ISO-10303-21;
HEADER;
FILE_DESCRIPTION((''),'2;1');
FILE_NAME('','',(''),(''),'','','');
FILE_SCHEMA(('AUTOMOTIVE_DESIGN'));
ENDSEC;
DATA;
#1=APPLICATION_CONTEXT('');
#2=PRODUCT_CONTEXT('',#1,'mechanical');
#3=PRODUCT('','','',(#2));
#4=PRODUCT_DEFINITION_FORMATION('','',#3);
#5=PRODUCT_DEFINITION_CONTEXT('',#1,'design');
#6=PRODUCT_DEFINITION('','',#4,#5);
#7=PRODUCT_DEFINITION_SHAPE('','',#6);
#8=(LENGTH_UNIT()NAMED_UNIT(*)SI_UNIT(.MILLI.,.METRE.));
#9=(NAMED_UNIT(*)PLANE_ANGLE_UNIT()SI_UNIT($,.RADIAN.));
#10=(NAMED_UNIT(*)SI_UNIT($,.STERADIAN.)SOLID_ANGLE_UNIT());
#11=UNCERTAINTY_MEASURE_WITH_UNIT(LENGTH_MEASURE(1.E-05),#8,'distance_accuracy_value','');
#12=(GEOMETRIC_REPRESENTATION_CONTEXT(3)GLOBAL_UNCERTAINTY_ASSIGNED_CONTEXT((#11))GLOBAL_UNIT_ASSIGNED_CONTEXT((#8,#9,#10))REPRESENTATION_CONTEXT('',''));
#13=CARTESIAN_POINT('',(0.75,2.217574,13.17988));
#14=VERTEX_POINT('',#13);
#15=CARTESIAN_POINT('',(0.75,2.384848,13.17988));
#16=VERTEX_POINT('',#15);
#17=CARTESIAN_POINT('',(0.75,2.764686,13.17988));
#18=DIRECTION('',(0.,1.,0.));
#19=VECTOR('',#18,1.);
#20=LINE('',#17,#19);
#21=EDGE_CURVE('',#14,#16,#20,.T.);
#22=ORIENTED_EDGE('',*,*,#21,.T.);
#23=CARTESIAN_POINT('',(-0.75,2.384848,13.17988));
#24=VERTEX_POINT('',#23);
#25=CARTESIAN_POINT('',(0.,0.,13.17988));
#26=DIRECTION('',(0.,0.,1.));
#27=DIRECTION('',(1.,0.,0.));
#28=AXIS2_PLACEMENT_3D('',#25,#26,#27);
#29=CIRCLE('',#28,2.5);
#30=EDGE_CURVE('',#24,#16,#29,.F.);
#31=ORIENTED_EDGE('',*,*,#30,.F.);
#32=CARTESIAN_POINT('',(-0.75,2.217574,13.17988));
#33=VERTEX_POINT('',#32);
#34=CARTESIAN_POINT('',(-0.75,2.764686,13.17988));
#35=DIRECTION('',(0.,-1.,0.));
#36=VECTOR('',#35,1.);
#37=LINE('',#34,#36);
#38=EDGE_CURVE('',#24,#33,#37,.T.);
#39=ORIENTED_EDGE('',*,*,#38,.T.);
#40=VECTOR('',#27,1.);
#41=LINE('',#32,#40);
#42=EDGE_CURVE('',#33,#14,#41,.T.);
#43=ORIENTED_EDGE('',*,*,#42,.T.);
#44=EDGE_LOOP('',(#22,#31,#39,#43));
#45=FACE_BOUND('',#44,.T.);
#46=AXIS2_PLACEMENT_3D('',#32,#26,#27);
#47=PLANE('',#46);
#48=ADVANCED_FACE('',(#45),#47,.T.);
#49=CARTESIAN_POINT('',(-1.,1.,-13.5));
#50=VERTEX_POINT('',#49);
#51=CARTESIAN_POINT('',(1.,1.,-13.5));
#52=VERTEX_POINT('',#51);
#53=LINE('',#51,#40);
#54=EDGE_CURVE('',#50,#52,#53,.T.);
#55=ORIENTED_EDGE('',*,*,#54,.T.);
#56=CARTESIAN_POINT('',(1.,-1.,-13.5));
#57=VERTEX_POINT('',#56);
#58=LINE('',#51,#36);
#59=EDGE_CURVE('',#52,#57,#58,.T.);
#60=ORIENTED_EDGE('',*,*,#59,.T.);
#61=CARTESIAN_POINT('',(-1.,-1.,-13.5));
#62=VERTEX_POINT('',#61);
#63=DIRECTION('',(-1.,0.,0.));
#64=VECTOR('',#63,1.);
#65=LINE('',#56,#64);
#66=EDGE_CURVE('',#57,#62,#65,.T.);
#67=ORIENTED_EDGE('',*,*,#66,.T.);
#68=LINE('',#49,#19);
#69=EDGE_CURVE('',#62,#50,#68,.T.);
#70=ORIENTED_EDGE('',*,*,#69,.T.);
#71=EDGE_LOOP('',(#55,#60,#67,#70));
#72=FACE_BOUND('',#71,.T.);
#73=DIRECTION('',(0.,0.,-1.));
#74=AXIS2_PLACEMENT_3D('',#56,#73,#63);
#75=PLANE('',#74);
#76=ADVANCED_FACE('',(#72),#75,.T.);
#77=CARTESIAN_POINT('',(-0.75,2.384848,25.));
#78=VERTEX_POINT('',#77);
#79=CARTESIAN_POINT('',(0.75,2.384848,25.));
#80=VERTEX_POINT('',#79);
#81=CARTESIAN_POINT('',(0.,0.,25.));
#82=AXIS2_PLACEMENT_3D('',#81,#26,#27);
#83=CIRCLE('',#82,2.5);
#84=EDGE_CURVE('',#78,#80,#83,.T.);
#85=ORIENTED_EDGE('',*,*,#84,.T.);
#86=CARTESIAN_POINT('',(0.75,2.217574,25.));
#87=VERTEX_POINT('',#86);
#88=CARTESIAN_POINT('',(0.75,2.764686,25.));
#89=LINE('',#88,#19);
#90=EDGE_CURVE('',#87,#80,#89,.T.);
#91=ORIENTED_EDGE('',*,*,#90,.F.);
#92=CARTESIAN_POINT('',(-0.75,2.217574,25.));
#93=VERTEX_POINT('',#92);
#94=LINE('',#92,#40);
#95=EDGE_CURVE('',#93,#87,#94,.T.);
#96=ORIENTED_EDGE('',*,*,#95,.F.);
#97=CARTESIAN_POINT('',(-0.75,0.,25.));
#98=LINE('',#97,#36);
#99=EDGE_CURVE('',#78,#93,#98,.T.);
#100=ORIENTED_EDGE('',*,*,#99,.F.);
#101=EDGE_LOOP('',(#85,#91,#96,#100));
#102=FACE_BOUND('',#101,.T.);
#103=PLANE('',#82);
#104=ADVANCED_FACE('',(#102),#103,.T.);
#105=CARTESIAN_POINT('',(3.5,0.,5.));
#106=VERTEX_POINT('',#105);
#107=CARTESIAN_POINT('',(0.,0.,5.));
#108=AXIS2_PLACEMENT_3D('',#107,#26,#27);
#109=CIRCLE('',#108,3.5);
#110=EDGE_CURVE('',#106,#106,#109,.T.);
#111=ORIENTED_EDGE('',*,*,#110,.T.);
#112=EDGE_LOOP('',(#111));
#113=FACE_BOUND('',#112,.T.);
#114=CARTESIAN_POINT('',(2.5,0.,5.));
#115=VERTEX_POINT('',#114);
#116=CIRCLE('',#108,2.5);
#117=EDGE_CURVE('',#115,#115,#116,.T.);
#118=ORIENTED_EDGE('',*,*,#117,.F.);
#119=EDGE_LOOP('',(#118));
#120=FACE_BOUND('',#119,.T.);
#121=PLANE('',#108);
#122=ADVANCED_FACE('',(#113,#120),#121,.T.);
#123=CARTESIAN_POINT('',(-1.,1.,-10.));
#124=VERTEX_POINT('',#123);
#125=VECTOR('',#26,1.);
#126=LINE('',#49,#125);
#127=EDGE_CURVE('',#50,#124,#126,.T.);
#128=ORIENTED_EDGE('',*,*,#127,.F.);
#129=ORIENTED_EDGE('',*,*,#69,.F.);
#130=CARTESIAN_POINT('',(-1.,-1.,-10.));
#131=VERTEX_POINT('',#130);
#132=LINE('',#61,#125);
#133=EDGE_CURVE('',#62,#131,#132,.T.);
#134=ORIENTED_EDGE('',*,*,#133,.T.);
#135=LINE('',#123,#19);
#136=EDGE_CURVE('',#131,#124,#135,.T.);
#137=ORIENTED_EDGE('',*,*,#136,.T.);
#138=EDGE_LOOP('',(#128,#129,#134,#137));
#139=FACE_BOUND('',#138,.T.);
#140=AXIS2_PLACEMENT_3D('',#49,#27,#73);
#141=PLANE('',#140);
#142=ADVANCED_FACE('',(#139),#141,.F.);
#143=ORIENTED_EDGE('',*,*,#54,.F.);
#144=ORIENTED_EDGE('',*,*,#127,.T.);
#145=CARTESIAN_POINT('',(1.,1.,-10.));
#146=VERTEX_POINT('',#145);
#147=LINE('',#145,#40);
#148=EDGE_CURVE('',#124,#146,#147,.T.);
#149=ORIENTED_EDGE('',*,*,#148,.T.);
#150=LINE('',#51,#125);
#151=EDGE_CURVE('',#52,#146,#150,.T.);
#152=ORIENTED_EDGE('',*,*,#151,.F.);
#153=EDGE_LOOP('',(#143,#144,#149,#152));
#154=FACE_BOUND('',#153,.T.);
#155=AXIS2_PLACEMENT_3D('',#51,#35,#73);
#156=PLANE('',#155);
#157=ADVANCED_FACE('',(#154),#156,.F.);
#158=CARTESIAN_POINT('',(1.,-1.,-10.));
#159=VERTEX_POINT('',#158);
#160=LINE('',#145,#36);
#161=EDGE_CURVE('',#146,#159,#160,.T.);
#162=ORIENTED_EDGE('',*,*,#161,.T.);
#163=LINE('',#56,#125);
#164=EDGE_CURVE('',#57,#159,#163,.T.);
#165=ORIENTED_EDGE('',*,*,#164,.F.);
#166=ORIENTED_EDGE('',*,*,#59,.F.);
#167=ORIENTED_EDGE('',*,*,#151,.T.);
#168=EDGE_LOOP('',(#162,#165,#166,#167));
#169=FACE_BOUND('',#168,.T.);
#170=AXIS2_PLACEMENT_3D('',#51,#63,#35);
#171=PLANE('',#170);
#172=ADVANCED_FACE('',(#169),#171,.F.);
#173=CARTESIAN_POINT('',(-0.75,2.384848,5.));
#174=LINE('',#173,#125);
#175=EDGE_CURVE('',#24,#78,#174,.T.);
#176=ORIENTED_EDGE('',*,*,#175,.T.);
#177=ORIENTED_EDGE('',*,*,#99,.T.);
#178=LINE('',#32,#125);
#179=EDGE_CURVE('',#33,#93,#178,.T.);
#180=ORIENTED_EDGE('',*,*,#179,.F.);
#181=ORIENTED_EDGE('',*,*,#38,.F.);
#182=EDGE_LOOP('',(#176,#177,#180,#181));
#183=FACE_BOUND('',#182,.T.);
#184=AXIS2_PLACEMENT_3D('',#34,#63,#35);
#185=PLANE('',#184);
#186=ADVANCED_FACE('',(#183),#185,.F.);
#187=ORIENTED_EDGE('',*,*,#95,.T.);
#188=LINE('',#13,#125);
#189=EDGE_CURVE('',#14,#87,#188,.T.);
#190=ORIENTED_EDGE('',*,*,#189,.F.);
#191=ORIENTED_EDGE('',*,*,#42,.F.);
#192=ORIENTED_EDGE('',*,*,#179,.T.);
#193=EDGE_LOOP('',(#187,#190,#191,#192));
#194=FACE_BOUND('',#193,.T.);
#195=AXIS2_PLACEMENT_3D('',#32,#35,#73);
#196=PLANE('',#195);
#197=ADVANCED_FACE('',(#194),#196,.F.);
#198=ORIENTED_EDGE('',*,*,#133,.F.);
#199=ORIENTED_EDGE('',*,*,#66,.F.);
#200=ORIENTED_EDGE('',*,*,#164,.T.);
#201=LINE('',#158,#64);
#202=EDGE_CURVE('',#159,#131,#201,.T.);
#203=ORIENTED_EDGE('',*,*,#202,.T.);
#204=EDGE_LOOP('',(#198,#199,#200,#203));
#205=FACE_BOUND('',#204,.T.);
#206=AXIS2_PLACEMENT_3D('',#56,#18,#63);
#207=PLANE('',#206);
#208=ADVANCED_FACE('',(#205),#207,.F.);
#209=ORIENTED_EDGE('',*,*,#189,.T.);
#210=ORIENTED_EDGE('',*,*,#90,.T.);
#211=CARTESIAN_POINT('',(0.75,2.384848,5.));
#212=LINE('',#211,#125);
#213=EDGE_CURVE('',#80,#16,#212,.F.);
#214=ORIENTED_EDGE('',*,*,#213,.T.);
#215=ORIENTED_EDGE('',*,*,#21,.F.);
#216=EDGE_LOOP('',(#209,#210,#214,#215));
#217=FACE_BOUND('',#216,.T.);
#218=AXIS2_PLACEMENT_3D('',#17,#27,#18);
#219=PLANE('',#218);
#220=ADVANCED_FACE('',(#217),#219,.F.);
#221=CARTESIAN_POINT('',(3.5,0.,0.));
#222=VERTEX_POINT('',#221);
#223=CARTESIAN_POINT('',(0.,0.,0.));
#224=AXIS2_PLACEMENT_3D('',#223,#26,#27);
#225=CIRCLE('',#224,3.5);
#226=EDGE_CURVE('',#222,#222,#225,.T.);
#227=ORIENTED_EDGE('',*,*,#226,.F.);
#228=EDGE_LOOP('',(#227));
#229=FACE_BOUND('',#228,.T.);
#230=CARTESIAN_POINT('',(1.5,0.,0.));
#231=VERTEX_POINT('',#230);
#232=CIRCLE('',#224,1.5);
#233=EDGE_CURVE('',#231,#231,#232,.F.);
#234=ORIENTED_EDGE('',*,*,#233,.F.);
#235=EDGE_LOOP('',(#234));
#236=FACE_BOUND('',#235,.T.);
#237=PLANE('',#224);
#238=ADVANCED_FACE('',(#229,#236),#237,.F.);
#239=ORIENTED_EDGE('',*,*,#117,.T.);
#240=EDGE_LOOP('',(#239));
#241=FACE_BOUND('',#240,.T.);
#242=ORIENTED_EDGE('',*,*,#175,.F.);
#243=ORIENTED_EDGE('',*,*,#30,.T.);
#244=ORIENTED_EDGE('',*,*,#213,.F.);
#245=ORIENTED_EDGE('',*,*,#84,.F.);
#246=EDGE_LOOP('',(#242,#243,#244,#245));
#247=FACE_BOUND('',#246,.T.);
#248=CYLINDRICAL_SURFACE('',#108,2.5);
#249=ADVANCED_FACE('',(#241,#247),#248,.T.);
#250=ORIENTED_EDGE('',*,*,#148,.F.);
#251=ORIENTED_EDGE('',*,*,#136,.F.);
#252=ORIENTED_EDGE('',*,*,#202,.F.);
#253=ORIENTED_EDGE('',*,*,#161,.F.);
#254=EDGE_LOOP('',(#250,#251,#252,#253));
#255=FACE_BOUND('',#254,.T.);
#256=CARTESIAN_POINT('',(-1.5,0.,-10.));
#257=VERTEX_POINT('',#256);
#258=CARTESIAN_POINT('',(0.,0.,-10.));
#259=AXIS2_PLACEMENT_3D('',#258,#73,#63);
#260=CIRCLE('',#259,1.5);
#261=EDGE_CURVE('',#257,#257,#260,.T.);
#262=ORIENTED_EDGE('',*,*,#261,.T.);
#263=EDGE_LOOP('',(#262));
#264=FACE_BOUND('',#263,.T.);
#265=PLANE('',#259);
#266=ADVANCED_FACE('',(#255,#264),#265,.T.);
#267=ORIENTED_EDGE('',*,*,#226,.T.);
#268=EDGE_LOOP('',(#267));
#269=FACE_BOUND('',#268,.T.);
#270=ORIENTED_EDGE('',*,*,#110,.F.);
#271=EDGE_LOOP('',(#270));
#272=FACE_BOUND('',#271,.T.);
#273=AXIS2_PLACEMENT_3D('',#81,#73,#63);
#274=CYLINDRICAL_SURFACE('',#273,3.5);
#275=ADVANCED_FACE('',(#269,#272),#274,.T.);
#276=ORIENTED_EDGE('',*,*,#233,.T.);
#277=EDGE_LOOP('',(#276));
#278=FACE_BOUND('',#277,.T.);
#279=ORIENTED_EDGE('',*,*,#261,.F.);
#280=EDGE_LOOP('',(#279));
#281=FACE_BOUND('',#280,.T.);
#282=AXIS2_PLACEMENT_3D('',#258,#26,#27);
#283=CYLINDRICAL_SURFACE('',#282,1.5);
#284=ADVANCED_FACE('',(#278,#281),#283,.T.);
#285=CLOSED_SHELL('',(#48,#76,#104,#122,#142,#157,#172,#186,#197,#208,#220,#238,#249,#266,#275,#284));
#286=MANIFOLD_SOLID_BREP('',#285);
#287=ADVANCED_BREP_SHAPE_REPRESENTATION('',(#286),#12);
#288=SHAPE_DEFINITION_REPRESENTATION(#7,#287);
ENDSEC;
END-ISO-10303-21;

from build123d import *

# Parameters (mm, degrees)
SKETCH_1_R          = 3.5
EXTRUDE_1_DEPTH     = 25
SKETCH_2_R          = 1.5
EXTRUDE_2_DEPTH     = 10
SKETCH_3_W          = 2
SKETCH_3_H          = 2
EXTRUDE_3_DEPTH     = 3.5
SKETCH_4_OUTSIDE_W  = 16.95
SKETCH_4_OUTSIDE_H  = 16.95
SKETCH_4_OUTSIDE_R  = 2.5
CUT_EXTRUDE_1_DEPTH = 20
SKETCH_5_W          = 1.5
SKETCH_5_H          = 0.547111854
CUT_EXTRUDE_2_DEPTH = 11.820119966


with BuildPart() as part:
    # 草图1 → 拉伸1 (new body)
    with BuildSketch(Plane.XY):
        Circle(SKETCH_1_R)
    extrude(amount=EXTRUDE_1_DEPTH)

    # 草图2 → 拉伸2 (add)
    with BuildSketch(Plane(origin=(0, 0, 0), x_dir=(-1, 0, 0), z_dir=(0, 0, -1))):
        with Locations(Location((0, 0, 0), (0, 0, 180))):
            Circle(SKETCH_2_R)
    extrude(amount=EXTRUDE_2_DEPTH)

    # 草图3 → 拉伸3 (add)
    with BuildSketch(Plane(origin=(0, 0, -10), x_dir=(-1, 0, 0), z_dir=(0, 0, -1))):
        Rectangle(SKETCH_3_W, SKETCH_3_H)
    extrude(amount=EXTRUDE_3_DEPTH)

    # 草图4 outside → 切除-拉伸1 (cut)
    with BuildSketch(Plane.XY.offset(25)):
        Rectangle(SKETCH_4_OUTSIDE_W, SKETCH_4_OUTSIDE_H)
        Circle(SKETCH_4_OUTSIDE_R, mode=Mode.SUBTRACT)
    extrude(amount=-CUT_EXTRUDE_1_DEPTH, mode=Mode.SUBTRACT)

    # 草图5 → 切除-拉伸2 (cut)
    with BuildSketch(Plane.XY.offset(25)):
        with Locations((0, 2.491129658)):
            Rectangle(SKETCH_5_W, SKETCH_5_H)
    extrude(amount=-CUT_EXTRUDE_2_DEPTH, mode=Mode.SUBTRACT)


solid = part.part
